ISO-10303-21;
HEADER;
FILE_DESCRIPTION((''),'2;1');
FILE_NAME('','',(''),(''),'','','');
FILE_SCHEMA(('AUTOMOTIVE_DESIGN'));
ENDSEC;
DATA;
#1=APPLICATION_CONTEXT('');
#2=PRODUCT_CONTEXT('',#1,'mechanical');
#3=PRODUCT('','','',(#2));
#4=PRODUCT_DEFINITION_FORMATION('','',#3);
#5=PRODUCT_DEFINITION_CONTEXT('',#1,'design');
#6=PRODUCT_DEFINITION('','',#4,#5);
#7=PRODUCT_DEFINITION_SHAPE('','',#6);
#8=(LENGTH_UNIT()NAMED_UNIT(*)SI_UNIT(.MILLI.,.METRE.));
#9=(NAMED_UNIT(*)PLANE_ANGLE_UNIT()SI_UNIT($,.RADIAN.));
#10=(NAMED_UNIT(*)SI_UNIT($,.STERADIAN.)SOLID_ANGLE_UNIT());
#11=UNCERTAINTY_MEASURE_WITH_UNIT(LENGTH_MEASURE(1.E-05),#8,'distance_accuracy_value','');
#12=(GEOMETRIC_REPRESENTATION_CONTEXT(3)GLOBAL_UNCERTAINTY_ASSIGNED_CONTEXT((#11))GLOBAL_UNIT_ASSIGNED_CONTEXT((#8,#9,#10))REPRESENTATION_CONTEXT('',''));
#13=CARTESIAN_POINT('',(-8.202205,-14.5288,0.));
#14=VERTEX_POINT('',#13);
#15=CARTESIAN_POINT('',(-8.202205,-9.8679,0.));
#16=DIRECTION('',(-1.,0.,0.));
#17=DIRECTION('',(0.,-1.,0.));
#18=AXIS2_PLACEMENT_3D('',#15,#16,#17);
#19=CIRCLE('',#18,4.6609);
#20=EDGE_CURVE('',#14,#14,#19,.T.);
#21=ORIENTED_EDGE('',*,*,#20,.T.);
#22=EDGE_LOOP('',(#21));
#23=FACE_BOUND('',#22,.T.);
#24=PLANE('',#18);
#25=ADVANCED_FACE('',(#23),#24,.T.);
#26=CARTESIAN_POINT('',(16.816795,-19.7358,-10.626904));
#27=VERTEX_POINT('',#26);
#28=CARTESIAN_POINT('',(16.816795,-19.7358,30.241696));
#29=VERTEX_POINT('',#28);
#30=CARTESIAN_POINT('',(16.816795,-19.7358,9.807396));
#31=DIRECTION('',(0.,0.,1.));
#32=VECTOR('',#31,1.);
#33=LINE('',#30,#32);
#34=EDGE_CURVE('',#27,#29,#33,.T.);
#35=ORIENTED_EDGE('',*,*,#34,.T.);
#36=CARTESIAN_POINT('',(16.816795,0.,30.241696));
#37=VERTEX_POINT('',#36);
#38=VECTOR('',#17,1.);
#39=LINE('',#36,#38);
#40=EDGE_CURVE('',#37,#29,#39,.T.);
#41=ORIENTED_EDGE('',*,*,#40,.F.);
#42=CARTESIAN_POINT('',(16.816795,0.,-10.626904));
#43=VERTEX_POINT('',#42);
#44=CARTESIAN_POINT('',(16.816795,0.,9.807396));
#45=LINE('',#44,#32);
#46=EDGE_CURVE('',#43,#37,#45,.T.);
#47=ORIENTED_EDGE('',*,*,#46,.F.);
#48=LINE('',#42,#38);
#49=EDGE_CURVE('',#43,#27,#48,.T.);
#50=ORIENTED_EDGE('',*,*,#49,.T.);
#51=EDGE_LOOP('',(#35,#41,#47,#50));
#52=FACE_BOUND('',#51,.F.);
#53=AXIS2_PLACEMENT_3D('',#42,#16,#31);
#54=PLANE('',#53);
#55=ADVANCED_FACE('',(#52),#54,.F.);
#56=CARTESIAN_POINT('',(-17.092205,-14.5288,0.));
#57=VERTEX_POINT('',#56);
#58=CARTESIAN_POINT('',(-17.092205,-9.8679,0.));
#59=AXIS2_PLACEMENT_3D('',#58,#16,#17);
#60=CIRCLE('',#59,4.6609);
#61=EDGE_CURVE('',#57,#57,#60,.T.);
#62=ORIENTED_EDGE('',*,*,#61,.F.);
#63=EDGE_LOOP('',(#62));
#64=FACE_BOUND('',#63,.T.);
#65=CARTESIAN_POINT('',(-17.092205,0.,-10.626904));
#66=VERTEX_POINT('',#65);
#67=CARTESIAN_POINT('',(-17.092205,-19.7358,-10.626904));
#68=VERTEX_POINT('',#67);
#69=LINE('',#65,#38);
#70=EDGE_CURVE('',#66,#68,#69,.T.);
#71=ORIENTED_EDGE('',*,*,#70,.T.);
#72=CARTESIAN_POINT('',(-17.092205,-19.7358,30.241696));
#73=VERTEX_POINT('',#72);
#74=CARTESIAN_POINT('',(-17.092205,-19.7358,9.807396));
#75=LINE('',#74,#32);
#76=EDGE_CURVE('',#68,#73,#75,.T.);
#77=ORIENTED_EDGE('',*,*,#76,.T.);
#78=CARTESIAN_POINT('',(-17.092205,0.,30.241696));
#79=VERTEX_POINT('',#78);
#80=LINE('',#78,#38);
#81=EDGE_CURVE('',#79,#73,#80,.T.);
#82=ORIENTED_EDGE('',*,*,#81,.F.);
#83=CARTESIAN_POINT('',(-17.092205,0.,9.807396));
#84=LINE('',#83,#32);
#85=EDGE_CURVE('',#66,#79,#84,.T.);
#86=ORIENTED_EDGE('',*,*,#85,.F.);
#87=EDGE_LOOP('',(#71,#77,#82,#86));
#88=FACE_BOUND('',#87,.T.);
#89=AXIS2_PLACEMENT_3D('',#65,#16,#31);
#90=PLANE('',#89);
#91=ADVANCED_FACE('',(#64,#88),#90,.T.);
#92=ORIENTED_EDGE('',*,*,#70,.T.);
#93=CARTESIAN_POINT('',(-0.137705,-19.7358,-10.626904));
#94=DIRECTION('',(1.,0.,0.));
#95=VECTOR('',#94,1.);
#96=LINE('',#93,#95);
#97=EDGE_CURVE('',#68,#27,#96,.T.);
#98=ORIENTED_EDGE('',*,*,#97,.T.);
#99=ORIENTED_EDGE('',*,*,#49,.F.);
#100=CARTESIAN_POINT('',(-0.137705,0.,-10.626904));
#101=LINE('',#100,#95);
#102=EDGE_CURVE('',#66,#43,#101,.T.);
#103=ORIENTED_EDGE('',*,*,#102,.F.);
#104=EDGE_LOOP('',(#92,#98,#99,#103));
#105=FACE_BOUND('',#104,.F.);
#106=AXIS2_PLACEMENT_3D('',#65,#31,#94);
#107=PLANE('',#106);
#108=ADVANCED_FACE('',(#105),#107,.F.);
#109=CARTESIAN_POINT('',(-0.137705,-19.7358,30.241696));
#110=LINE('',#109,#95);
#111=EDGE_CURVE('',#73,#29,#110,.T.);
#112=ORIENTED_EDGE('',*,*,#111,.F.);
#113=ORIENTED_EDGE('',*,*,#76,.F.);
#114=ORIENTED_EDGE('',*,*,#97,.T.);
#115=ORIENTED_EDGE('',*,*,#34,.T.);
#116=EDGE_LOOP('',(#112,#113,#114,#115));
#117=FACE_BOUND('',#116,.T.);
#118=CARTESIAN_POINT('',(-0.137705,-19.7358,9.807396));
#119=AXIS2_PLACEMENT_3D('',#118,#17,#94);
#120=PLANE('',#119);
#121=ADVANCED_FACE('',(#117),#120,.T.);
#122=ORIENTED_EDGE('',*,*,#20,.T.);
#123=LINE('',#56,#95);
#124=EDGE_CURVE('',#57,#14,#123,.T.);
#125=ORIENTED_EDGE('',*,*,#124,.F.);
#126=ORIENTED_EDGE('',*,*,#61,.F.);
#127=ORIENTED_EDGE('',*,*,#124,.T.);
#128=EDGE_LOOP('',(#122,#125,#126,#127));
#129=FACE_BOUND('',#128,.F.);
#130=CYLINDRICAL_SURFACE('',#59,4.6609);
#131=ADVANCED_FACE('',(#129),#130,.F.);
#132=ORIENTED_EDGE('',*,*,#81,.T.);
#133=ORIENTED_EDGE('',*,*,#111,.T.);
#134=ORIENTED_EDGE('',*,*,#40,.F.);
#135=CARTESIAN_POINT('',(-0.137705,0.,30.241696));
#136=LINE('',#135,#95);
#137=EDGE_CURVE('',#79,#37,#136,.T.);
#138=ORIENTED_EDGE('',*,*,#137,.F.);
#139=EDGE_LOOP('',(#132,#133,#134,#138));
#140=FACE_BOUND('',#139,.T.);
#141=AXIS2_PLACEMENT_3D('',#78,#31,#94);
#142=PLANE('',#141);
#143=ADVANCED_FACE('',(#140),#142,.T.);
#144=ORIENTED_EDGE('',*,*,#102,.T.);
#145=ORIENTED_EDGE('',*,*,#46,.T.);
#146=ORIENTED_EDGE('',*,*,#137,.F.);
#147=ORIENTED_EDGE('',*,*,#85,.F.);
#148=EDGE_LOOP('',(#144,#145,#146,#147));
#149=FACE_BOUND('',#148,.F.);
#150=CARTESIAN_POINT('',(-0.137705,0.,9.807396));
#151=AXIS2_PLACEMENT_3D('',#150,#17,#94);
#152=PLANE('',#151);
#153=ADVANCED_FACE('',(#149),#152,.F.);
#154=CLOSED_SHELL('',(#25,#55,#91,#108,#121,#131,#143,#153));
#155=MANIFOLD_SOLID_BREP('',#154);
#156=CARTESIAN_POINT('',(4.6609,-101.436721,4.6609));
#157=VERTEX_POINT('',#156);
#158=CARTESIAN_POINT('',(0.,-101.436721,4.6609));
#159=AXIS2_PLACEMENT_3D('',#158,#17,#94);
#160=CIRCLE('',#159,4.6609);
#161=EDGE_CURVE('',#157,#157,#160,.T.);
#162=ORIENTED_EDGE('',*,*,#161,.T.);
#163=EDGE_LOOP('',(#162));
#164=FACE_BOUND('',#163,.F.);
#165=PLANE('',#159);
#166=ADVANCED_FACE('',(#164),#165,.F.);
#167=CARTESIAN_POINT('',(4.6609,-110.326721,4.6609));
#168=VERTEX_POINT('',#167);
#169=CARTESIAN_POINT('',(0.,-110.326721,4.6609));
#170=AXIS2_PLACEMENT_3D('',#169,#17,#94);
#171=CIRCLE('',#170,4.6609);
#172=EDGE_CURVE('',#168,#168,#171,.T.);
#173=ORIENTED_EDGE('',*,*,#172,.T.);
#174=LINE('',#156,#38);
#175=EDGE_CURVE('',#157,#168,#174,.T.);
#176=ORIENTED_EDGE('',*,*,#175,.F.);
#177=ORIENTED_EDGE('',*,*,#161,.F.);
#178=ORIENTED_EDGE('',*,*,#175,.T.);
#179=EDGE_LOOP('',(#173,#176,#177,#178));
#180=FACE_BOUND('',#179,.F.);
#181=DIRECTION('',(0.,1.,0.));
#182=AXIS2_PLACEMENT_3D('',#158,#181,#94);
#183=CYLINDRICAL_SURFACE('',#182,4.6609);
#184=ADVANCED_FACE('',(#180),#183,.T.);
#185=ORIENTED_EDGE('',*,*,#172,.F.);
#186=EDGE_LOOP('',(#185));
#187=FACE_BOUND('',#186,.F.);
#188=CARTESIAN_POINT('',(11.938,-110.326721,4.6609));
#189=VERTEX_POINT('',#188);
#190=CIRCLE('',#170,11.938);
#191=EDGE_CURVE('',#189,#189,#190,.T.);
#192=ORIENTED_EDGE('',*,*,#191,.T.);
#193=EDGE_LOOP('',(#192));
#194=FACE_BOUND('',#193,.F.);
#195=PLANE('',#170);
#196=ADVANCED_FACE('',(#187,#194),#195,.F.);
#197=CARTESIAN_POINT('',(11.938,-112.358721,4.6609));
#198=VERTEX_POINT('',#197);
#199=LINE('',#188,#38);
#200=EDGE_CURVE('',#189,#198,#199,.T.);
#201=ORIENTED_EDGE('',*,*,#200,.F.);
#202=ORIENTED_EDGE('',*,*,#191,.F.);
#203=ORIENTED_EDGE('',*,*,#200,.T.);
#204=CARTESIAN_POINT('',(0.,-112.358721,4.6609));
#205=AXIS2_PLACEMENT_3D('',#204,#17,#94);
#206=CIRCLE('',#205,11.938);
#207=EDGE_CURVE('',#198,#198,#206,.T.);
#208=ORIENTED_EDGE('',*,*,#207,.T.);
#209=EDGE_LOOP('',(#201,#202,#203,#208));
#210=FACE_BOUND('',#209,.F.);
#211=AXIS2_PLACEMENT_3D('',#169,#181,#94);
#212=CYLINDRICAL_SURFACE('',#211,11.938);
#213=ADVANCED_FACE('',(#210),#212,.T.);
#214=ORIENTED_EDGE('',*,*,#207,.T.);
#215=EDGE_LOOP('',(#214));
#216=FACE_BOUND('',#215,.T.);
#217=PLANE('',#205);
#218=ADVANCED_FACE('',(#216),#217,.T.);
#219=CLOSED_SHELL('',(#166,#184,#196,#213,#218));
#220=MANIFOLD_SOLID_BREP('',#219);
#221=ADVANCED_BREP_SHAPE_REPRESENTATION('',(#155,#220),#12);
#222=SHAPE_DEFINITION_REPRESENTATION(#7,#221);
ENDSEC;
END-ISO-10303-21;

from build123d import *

# Parameters (mm, degrees)
F0_W     = 33.909
F0_H     = 40.8686
F1_DEPTH = 19.7358
F2_R     = 4.6609
F3_DEPTH = 8.89
F5_R     = 4.6609
F6_DEPTH = 8.89
F7_R     = 11.938
F8_DEPTH = 2.032


with BuildPart() as f1:
    # F0 (on Front) → F1 (new body)
    with BuildSketch(Plane.XZ):
        with Locations((-0.1377054849, 9.807396424)):
            Rectangle(F0_W, F0_H)
    extrude(amount=F1_DEPTH)

    # F2 (on face) → F3 (cut)
    with BuildSketch(Plane(origin=(-17.0922054849, 0, 0), x_dir=(0, -1, 0), z_dir=(-1, 0, 0))):
        with Locations((9.8679, 0)):
            Circle(F2_R)
    extrude(amount=-F3_DEPTH, mode=Mode.SUBTRACT)


with BuildPart() as f6:
    # F5 (on offset) → F6 (new body)
    with BuildSketch(Plane.XZ.offset(101.4367210587)):
        with Locations((0, 4.6609)):
            Circle(F5_R)
    extrude(amount=F6_DEPTH)

    # F7 (on face) → F8 (join)
    with BuildSketch(Plane.XZ.offset(110.3267210587)):
        with Locations((0, 4.6609)):
            Circle(F7_R)
    extrude(amount=F8_DEPTH)


solid = Compound([f1.part, f6.part])
